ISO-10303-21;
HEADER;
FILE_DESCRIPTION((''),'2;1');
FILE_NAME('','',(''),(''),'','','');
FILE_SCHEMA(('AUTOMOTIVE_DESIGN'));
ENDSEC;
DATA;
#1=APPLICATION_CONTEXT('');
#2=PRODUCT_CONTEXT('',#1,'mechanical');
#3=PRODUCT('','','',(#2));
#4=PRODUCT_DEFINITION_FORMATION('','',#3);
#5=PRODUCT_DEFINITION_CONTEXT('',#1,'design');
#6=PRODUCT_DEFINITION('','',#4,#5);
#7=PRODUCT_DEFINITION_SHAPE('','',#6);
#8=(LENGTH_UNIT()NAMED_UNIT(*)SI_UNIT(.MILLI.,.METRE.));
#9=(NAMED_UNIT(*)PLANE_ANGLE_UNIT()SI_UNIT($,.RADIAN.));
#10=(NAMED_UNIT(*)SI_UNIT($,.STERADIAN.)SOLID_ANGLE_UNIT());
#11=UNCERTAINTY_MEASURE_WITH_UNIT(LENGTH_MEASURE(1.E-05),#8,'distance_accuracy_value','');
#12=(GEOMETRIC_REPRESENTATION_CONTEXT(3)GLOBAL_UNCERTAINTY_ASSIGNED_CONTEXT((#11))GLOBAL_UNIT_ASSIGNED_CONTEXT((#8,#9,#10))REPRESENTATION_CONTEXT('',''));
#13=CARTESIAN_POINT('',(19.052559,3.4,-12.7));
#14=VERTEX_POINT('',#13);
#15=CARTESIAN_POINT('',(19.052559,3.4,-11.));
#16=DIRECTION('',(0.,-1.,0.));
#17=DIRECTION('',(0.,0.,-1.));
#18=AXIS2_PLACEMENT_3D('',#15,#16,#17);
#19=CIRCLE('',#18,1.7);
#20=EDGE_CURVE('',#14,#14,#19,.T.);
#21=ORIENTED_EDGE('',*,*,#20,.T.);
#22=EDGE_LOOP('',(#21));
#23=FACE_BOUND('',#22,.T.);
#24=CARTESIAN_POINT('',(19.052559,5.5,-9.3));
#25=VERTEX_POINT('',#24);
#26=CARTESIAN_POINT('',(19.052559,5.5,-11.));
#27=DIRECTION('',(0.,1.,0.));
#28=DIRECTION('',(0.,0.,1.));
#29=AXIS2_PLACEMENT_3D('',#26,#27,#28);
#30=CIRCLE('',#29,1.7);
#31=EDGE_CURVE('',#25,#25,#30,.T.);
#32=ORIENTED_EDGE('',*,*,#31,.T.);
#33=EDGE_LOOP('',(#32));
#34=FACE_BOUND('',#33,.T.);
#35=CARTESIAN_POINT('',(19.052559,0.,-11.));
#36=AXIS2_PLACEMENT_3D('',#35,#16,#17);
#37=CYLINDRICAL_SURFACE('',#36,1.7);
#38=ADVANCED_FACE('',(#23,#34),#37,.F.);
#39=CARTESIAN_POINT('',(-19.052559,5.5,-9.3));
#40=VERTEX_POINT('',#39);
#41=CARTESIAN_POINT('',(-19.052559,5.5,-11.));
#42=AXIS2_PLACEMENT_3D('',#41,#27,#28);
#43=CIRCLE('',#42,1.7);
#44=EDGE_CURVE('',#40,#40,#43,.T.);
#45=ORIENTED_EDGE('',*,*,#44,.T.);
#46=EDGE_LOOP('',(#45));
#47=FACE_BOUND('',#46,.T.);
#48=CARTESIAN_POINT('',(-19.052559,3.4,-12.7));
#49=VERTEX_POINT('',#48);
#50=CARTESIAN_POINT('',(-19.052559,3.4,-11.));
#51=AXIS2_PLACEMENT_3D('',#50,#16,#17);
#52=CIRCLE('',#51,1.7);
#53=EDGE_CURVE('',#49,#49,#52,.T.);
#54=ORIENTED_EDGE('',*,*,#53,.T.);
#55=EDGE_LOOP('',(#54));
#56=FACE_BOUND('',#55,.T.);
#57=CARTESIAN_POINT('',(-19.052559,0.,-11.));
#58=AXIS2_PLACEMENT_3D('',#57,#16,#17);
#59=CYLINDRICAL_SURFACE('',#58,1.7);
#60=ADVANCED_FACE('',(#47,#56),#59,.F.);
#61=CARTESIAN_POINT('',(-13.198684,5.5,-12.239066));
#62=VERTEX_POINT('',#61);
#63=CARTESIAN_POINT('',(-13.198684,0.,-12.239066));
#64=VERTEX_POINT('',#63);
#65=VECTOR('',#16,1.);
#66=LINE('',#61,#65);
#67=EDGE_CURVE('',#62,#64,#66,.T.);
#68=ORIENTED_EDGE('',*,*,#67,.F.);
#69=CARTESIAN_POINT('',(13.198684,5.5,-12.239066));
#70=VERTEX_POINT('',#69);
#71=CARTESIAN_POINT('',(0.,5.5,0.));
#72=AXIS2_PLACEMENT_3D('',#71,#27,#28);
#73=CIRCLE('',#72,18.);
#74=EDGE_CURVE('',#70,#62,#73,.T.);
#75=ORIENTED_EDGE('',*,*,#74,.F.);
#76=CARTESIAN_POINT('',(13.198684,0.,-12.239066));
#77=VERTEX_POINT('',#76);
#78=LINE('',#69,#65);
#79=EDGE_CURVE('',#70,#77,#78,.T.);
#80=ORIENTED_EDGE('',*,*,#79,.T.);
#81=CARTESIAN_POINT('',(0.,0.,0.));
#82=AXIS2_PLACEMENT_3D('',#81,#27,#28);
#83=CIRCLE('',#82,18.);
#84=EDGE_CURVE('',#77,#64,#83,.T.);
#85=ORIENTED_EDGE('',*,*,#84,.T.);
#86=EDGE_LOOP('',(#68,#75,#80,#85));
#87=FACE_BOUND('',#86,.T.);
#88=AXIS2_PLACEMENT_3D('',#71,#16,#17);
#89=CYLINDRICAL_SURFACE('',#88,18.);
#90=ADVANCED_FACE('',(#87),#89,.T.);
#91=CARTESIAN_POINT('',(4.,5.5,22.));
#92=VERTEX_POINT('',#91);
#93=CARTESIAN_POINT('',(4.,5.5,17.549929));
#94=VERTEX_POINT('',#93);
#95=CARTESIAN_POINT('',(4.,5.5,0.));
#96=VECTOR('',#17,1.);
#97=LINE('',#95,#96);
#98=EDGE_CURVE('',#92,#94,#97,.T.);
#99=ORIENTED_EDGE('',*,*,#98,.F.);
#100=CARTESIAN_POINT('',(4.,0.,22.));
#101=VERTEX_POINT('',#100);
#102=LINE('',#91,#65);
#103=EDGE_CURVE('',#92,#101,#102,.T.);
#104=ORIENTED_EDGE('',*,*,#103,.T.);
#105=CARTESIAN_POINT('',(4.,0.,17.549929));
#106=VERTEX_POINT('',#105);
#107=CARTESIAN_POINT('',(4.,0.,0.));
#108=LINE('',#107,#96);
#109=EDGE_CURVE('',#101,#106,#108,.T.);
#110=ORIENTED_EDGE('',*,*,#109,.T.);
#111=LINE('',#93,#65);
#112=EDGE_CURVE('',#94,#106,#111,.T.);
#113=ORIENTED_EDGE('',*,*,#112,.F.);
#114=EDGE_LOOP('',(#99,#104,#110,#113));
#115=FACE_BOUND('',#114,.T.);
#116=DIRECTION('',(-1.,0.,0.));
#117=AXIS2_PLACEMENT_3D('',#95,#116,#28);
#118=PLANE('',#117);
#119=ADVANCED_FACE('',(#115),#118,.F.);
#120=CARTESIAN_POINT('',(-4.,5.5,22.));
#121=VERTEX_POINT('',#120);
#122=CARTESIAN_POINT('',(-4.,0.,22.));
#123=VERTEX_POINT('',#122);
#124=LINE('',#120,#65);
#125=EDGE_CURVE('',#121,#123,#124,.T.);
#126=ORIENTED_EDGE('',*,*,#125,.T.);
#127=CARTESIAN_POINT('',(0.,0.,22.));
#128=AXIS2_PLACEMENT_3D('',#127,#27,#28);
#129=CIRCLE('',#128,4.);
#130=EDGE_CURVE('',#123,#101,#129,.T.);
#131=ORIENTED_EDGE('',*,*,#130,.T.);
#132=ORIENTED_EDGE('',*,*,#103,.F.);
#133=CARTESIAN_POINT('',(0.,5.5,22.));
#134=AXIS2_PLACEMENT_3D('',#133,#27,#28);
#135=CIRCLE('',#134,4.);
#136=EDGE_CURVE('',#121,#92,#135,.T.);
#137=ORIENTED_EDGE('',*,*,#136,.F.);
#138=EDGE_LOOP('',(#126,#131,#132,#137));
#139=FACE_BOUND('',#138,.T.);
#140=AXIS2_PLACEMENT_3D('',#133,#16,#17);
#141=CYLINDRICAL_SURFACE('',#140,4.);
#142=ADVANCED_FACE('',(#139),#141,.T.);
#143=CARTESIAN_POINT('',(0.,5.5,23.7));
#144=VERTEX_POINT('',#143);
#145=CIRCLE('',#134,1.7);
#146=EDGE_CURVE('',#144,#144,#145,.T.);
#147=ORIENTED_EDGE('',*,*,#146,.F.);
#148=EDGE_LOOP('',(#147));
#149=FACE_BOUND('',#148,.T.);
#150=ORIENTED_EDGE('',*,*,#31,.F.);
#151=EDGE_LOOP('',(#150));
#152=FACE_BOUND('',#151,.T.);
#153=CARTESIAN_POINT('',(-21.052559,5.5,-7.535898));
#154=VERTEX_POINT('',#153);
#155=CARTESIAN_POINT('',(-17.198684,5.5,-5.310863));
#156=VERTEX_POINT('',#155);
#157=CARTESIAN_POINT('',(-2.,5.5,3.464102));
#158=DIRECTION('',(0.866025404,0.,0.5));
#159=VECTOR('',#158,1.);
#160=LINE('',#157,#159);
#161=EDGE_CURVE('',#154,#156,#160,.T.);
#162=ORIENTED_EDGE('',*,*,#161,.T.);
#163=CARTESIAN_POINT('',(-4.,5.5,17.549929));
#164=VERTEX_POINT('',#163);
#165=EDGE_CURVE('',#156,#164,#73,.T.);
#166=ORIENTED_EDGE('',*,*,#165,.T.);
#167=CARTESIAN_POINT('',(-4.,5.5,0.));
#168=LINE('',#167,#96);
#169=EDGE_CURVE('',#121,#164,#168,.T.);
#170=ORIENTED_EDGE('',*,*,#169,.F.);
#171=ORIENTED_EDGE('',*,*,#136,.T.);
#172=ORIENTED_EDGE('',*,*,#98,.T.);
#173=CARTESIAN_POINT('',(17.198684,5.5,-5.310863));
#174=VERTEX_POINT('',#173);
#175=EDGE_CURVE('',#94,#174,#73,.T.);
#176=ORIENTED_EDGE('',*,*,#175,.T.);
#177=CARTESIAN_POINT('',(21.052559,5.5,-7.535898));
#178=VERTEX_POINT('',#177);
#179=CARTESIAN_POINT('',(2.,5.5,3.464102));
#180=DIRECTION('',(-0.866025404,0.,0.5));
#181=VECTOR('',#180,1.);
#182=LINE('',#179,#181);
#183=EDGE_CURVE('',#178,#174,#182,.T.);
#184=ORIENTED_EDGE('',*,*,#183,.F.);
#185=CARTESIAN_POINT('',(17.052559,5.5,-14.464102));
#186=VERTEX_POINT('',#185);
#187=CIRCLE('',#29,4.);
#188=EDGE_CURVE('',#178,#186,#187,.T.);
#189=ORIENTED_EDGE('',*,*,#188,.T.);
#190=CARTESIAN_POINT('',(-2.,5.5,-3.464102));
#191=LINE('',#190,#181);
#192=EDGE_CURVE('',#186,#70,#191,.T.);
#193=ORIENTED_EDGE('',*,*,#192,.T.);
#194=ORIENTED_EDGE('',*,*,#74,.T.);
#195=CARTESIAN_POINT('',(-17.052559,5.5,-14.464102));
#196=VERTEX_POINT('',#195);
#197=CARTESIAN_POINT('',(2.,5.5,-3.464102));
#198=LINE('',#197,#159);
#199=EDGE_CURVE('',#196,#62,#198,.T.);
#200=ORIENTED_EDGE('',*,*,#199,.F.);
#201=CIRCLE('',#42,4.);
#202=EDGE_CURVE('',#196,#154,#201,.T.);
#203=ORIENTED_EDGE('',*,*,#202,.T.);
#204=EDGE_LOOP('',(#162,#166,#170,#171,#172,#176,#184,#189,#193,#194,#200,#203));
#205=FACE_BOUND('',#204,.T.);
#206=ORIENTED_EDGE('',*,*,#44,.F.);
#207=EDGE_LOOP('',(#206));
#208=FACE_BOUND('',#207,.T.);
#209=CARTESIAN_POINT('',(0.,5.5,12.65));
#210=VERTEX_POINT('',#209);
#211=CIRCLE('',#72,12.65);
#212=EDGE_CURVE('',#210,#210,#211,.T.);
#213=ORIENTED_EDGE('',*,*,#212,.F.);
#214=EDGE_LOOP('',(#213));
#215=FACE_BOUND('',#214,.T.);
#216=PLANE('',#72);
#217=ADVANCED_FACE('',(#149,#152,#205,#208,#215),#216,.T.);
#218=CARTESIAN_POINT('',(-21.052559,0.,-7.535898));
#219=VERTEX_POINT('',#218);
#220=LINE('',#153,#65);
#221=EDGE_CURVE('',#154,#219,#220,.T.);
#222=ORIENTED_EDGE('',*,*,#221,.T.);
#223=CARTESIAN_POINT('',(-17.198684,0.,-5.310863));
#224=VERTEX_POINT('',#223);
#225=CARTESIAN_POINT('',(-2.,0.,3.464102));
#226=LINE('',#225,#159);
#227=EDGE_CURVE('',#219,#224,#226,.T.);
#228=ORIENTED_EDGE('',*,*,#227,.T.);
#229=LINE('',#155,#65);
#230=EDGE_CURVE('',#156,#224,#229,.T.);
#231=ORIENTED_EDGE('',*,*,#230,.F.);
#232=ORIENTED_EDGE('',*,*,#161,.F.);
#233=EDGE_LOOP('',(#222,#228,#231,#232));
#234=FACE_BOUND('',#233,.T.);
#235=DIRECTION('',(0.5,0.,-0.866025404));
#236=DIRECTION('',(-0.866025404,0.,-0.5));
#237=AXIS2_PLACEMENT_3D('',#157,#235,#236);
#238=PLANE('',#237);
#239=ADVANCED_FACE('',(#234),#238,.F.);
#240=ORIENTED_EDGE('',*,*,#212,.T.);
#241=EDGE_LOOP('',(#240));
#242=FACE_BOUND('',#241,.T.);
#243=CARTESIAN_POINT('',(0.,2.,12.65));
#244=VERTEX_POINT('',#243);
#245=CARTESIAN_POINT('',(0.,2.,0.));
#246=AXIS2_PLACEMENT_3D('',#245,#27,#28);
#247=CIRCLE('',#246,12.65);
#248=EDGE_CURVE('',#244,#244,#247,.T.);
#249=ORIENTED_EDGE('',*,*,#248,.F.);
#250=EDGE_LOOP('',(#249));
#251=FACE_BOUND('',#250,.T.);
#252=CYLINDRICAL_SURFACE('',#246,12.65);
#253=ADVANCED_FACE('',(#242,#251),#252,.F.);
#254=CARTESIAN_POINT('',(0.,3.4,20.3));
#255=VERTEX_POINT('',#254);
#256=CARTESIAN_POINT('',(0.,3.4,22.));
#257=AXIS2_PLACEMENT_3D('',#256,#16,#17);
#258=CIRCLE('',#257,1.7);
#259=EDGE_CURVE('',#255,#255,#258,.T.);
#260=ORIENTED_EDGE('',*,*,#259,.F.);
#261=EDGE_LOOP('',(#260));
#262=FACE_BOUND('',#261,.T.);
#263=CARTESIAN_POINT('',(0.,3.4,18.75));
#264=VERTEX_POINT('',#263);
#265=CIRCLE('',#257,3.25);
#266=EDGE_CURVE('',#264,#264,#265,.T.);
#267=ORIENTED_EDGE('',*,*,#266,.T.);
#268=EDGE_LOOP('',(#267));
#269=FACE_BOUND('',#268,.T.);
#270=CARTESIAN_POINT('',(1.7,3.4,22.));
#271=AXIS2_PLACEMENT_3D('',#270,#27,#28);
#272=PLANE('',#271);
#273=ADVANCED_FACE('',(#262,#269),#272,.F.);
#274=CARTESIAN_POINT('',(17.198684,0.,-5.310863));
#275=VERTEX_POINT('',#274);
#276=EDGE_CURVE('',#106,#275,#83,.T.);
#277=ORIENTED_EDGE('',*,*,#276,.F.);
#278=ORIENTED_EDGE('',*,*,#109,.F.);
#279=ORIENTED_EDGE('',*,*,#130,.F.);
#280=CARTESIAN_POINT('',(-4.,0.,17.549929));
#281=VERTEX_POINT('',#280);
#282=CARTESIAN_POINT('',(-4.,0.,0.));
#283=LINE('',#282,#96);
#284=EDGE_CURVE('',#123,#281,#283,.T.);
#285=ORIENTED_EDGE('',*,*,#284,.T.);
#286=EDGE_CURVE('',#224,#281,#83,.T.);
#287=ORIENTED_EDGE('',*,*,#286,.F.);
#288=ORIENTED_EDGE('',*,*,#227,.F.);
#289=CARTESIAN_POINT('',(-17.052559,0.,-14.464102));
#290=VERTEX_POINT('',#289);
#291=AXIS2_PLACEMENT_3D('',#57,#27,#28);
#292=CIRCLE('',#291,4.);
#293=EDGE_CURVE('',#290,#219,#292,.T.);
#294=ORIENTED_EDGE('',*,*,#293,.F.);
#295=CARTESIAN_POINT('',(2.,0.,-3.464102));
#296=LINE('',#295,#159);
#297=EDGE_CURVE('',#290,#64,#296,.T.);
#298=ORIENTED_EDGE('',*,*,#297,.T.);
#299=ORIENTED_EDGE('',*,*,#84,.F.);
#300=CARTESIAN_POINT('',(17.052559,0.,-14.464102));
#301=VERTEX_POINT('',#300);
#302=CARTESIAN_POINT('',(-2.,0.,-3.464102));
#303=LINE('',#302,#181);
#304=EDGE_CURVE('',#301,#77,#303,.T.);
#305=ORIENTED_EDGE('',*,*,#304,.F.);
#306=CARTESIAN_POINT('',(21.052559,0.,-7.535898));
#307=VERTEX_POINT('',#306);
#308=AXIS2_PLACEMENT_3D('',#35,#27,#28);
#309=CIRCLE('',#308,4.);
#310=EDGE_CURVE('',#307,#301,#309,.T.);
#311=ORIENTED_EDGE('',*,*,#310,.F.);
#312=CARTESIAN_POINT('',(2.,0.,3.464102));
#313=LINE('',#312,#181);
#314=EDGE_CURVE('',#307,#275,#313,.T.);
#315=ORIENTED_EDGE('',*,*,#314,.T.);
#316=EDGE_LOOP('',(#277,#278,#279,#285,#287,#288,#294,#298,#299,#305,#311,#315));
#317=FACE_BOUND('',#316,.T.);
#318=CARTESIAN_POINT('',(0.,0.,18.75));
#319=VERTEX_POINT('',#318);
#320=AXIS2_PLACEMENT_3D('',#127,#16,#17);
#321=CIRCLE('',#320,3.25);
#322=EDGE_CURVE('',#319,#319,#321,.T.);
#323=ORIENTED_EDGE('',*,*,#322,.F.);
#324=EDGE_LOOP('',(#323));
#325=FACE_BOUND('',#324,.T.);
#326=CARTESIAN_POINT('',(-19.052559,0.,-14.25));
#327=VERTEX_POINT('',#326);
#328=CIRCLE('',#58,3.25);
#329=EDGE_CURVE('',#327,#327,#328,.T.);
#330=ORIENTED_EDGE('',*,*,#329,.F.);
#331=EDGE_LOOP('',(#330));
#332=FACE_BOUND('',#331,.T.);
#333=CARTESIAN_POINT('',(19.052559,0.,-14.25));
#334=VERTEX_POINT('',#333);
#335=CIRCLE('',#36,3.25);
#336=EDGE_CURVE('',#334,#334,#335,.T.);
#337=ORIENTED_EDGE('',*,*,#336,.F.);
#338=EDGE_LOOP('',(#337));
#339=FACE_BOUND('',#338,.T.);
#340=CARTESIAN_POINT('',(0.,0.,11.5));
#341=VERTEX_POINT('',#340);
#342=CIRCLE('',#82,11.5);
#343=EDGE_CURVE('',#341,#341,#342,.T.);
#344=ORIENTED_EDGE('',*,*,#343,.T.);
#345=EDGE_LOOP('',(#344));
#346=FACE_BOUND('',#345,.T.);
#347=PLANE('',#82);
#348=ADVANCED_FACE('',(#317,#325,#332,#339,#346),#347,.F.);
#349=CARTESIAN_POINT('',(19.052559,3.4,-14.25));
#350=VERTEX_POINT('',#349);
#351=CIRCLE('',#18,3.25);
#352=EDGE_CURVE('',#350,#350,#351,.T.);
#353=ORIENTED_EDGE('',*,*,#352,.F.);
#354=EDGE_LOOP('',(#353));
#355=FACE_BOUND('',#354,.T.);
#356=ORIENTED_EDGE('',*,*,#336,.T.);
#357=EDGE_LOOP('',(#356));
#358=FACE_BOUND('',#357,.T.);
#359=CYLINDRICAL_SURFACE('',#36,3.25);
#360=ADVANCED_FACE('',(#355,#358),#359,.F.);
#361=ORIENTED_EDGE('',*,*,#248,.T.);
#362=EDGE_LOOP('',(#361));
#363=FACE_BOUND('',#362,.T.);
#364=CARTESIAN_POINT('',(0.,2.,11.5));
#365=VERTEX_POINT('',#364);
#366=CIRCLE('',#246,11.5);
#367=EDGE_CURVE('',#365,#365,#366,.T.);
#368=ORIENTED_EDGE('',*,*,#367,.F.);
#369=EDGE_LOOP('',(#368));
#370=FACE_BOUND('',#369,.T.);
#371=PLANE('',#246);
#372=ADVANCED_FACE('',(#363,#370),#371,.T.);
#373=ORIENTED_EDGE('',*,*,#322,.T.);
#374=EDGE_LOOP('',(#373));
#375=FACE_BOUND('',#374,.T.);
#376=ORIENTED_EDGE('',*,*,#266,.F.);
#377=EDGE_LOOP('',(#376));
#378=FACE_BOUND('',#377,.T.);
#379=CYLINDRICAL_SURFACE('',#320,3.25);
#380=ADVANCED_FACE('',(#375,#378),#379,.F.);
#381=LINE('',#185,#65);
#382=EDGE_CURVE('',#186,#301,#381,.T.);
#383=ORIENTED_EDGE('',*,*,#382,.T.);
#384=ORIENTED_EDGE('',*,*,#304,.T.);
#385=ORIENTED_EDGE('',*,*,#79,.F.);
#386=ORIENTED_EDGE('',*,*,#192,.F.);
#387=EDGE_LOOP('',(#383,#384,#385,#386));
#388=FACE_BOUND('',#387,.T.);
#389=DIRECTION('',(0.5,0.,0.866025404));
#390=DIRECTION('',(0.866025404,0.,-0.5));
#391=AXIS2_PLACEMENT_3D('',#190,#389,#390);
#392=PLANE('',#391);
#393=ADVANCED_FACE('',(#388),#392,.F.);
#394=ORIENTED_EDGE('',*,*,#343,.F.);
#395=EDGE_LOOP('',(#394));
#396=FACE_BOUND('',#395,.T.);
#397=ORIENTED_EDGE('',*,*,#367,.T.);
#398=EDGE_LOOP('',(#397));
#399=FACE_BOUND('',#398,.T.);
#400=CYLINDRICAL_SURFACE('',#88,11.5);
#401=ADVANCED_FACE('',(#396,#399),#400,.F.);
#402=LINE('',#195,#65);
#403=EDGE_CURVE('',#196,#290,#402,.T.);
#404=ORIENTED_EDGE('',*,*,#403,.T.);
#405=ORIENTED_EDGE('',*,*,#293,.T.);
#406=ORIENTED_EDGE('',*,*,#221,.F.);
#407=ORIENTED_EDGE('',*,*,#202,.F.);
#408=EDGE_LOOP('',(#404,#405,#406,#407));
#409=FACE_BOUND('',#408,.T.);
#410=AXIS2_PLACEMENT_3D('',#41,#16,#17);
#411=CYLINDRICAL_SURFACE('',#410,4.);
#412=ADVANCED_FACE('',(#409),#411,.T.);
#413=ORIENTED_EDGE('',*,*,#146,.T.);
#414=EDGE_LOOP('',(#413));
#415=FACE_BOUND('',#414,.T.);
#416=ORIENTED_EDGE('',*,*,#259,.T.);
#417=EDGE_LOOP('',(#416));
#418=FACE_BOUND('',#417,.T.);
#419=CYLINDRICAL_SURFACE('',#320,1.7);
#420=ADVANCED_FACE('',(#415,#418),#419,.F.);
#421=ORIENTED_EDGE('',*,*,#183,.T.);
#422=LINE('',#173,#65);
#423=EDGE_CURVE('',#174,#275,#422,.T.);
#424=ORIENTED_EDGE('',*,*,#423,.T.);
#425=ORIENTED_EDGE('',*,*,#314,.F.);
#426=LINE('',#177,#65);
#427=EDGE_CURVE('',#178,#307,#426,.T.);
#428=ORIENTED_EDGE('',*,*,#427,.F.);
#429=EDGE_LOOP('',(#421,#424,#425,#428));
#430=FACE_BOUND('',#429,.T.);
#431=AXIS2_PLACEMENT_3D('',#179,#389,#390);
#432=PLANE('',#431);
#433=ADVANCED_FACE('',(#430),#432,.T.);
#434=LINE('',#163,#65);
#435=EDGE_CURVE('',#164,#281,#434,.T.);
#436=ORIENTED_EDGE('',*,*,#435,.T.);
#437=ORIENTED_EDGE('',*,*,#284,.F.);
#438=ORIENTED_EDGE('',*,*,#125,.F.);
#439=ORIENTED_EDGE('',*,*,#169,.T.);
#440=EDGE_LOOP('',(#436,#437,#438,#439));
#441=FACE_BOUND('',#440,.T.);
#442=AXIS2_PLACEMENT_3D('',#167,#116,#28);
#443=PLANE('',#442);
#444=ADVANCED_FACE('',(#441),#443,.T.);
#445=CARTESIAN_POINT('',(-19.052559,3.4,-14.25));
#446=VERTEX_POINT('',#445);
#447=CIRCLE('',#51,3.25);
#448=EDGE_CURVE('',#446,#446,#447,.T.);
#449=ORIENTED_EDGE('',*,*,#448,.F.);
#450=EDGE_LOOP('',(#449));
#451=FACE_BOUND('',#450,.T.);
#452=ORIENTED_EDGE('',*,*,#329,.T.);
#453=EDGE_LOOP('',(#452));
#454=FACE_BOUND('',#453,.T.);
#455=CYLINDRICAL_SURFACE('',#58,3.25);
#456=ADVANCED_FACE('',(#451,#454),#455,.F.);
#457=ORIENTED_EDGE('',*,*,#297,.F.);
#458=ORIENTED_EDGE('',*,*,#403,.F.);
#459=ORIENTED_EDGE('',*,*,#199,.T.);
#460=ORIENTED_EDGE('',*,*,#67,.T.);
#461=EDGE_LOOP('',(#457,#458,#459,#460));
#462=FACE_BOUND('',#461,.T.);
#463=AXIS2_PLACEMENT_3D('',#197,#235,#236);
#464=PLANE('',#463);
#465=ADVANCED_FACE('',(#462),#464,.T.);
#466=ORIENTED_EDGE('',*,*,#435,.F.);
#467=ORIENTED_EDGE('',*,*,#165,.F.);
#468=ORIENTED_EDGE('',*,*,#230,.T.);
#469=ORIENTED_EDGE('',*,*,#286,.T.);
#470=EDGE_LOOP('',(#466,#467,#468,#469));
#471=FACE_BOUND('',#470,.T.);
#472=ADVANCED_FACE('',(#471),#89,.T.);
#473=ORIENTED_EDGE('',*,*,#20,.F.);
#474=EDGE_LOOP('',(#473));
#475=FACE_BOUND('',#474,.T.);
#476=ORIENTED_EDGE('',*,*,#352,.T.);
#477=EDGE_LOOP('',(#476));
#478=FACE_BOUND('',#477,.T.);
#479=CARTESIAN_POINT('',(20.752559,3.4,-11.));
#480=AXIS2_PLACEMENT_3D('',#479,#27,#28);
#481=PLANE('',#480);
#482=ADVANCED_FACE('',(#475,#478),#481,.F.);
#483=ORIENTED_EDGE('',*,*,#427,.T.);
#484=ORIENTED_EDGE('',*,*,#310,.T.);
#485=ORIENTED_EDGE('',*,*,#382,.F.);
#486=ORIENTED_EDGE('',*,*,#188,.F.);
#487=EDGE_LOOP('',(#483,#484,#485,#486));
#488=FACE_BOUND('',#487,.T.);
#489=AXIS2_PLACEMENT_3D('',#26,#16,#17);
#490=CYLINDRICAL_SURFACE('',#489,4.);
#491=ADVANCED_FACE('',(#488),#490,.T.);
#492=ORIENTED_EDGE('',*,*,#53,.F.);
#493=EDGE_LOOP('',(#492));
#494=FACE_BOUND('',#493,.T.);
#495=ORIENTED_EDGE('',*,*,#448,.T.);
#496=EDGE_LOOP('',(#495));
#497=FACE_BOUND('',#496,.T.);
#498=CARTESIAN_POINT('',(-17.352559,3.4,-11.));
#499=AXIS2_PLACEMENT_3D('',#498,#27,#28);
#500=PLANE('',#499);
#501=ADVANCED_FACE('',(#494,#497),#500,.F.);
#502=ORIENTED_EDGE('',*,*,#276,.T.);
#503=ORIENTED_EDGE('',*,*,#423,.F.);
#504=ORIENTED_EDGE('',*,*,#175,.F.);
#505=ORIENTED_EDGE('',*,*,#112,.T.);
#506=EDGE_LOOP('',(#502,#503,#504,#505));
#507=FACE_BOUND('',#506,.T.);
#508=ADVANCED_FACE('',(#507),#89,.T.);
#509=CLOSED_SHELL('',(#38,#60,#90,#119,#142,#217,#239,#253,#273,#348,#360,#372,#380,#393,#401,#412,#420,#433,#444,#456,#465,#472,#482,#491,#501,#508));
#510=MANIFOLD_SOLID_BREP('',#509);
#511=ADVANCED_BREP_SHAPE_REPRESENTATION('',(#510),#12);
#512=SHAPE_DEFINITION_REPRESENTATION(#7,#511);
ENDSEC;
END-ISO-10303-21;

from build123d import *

# Parameters (mm, degrees)
SKETCH1_R                                           = 11.5
BOSS_EXTRUDE1_DEPTH                                 = 5.5
CUT_EXTRUDE1_START                                  = 2
SKETCH1_3_R                                         = 12.65
CUT_EXTRUDE1_DEPTH                                  = 3.5
CBORE_FOR_M3_HEX_SOCKET_HEAD_CAP_SCREW1_D           = 3.4
CBORE_FOR_M3_HEX_SOCKET_HEAD_CAP_SCREW1_DEPTH       = 45
CBORE_FOR_M3_HEX_SOCKET_HEAD_CAP_SCREW1_CBORE_D     = 6.5
CBORE_FOR_M3_HEX_SOCKET_HEAD_CAP_SCREW1_CBORE_DEPTH = 3.4
CBORE_FOR_M3_HEX_SOCKET_HEAD_CAP_SCREW1_TIP         = 1.021463052


with BuildPart() as part:
    # Sketch1 → Boss-Extrude1 (new body)
    with BuildSketch(Plane(origin=(0, 0, 0), x_dir=(1, 0, 0), z_dir=(0, 1, 0))):
        with BuildLine():
            ThreePointArc((-4, -22), (0, -26), (4, -22))
            Line((4, -22), (4, -17.549928775))
            ThreePointArc((4, -17.549928775), (15.588457268, -9), (17.198684154, 5.310862772))
            Line((17.198684154, 5.310862772), (21.052558883, 7.535898385))
            ThreePointArc((21.052558883, 7.535898385), (22.516660498, 13), (17.052558883, 14.464101615))
            Line((17.052558883, 14.464101615), (13.198684154, 12.239066003))
            ThreePointArc((13.198684154, 12.239066003), (0, 18), (-13.198684154, 12.239066003))
            Line((-13.198684154, 12.239066003), (-17.052558883, 14.464101615))
            ThreePointArc((-17.052558883, 14.464101615), (-22.516660498, 13), (-21.052558883, 7.535898385))
            Line((-21.052558883, 7.535898385), (-17.198684154, 5.310862772))
            ThreePointArc((-17.198684154, 5.310862772), (-15.588457268, -9), (-4, -17.549928775))
            Line((-4, -17.549928775), (-4, -22))
        make_face()
        Circle(SKETCH1_R, mode=Mode.SUBTRACT)
    extrude(amount=BOSS_EXTRUDE1_DEPTH)

    # Sketch1<3> → Cut-Extrude1 (cut)
    with BuildSketch(Plane(origin=(0, 0, 0), x_dir=(1, 0, 0), z_dir=(0, 1, 0)).offset(CUT_EXTRUDE1_START)):
        Circle(SKETCH1_3_R)
    extrude(amount=CUT_EXTRUDE1_DEPTH, mode=Mode.SUBTRACT)

    # CBORE for M3 Hex Socket Head Cap Screw1
    with Locations(Plane.XZ):
        with Locations((-19.052558883, -11), (19.052558883, -11), (0, 22)):
            CounterBoreHole(CBORE_FOR_M3_HEX_SOCKET_HEAD_CAP_SCREW1_D / 2, CBORE_FOR_M3_HEX_SOCKET_HEAD_CAP_SCREW1_CBORE_D / 2, CBORE_FOR_M3_HEX_SOCKET_HEAD_CAP_SCREW1_CBORE_DEPTH, depth=CBORE_FOR_M3_HEX_SOCKET_HEAD_CAP_SCREW1_DEPTH)
            with Locations((0, 0, -(CBORE_FOR_M3_HEX_SOCKET_HEAD_CAP_SCREW1_DEPTH + CBORE_FOR_M3_HEX_SOCKET_HEAD_CAP_SCREW1_TIP / 2))):  # 118° drill point
                Cone(0, CBORE_FOR_M3_HEX_SOCKET_HEAD_CAP_SCREW1_D / 2, CBORE_FOR_M3_HEX_SOCKET_HEAD_CAP_SCREW1_TIP, mode=Mode.SUBTRACT)


solid = part.part
